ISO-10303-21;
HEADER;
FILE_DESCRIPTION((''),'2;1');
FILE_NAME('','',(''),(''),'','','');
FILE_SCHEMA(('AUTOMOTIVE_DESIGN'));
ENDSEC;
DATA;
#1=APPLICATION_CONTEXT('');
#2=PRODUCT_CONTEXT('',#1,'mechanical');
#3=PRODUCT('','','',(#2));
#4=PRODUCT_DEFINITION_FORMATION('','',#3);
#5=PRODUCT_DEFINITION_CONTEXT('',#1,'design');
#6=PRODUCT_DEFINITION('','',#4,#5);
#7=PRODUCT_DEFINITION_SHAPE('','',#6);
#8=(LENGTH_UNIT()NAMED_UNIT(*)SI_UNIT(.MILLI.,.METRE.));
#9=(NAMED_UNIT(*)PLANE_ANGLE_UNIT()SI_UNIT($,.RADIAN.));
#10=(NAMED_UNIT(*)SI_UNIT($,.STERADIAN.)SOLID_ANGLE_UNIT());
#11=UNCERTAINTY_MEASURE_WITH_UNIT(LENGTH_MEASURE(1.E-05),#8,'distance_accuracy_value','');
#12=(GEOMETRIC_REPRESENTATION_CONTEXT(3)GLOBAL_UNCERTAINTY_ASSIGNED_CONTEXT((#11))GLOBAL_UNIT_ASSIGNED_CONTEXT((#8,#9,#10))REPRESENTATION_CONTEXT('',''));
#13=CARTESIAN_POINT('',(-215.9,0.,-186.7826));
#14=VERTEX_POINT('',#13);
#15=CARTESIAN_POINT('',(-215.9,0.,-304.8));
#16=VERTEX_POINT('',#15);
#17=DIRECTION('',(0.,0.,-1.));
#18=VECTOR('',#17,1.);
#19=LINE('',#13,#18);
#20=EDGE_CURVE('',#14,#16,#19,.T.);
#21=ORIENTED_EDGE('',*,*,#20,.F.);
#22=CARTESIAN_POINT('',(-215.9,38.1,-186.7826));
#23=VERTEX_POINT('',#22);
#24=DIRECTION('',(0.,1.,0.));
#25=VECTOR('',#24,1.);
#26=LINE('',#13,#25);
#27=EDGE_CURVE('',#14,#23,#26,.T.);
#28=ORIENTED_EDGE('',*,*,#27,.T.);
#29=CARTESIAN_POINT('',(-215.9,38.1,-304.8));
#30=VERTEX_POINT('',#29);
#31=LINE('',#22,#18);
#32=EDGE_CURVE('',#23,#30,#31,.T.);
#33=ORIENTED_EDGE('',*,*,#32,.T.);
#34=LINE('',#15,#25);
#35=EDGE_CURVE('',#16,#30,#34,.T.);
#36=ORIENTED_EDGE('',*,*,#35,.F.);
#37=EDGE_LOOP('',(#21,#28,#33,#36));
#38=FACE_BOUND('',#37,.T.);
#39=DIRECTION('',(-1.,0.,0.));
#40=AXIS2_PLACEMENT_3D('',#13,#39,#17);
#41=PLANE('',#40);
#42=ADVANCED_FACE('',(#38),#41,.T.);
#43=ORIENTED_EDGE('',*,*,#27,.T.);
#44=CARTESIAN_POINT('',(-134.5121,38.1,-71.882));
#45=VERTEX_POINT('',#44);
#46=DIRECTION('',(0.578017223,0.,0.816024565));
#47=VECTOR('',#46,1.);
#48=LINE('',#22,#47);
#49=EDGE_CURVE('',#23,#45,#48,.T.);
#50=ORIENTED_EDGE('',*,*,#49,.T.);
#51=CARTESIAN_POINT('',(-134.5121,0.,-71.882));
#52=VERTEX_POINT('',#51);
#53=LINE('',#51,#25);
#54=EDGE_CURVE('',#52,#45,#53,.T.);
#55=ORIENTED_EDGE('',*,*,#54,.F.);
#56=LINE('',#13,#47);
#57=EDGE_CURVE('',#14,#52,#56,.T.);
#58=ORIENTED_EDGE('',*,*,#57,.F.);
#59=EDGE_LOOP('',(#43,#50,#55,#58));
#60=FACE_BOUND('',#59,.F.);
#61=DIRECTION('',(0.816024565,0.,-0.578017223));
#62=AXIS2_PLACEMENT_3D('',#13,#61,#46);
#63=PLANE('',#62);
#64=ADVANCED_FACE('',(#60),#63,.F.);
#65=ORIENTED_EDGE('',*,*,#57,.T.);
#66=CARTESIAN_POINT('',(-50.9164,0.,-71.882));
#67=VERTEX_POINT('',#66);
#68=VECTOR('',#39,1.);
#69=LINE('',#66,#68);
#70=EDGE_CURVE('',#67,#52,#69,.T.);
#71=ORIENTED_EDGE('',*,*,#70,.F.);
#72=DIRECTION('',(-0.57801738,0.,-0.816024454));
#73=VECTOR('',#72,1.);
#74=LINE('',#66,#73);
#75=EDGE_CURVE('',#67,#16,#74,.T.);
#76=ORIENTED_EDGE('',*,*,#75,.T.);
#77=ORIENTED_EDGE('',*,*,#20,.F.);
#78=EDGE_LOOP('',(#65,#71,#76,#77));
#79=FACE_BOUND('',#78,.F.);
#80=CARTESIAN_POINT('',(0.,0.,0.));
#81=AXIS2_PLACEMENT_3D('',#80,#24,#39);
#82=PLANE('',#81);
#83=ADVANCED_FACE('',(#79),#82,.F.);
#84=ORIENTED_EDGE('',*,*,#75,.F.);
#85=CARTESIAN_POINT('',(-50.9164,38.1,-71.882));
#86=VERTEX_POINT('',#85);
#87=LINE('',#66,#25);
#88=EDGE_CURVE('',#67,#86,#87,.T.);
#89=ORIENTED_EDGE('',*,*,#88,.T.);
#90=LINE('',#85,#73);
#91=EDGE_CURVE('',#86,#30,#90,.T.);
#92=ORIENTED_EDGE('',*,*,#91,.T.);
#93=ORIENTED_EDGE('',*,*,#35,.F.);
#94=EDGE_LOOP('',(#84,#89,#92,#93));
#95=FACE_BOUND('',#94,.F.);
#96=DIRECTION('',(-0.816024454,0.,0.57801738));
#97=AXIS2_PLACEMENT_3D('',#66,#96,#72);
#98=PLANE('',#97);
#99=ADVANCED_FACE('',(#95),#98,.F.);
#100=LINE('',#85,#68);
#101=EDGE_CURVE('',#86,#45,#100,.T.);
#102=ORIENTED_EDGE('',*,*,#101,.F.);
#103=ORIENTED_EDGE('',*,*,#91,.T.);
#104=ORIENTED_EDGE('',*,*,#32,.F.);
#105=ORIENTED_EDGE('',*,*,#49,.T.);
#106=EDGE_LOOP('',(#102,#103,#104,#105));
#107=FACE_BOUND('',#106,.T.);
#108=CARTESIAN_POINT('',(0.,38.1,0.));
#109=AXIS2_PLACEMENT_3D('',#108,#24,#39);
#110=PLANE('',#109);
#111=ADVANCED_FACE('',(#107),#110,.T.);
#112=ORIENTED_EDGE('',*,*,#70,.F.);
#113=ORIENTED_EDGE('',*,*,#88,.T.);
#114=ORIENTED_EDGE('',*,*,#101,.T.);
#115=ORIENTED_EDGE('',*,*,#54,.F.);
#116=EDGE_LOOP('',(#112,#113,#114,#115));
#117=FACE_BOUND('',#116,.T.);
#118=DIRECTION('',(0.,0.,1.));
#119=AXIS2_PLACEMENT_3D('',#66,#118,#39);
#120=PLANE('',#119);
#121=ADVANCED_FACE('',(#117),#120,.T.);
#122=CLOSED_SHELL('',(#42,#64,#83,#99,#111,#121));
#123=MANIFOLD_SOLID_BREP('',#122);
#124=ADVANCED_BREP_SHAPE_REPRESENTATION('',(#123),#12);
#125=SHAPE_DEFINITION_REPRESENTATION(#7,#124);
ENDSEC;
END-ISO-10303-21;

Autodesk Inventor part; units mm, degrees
ref_plane "YZ Plane" through (0, 0, 0) normal (1, 0, 0) x (0, 1, 0)
ref_plane "XZ Plane" through (0, 0, 0) normal (0, 1, 0) x (-1, 0, 0)
ref_plane "XY Plane" through (0, 0, 0) normal (0, 0, 1) x (1, 0, 0)
sketch "Sketch1" plane through (0, 0, 0) normal (0, 1, 0) x (-1, 0, 0)
  line L0 (215.9, -186.7826) -> (134.5121, -71.882)
  line L1 (215.9, -186.7826) -> (215.9, -304.8)
  line L2 (50.9164, -71.882) -> (215.9, -304.8)
  line L3 (50.9164, -71.882) -> (134.5121, -71.882)
  point P0 (0, 0)
extrude "Extrusion1" add sketch "Sketch1" along normal blind 38.1
properties part number "S_2x4x14.71"
